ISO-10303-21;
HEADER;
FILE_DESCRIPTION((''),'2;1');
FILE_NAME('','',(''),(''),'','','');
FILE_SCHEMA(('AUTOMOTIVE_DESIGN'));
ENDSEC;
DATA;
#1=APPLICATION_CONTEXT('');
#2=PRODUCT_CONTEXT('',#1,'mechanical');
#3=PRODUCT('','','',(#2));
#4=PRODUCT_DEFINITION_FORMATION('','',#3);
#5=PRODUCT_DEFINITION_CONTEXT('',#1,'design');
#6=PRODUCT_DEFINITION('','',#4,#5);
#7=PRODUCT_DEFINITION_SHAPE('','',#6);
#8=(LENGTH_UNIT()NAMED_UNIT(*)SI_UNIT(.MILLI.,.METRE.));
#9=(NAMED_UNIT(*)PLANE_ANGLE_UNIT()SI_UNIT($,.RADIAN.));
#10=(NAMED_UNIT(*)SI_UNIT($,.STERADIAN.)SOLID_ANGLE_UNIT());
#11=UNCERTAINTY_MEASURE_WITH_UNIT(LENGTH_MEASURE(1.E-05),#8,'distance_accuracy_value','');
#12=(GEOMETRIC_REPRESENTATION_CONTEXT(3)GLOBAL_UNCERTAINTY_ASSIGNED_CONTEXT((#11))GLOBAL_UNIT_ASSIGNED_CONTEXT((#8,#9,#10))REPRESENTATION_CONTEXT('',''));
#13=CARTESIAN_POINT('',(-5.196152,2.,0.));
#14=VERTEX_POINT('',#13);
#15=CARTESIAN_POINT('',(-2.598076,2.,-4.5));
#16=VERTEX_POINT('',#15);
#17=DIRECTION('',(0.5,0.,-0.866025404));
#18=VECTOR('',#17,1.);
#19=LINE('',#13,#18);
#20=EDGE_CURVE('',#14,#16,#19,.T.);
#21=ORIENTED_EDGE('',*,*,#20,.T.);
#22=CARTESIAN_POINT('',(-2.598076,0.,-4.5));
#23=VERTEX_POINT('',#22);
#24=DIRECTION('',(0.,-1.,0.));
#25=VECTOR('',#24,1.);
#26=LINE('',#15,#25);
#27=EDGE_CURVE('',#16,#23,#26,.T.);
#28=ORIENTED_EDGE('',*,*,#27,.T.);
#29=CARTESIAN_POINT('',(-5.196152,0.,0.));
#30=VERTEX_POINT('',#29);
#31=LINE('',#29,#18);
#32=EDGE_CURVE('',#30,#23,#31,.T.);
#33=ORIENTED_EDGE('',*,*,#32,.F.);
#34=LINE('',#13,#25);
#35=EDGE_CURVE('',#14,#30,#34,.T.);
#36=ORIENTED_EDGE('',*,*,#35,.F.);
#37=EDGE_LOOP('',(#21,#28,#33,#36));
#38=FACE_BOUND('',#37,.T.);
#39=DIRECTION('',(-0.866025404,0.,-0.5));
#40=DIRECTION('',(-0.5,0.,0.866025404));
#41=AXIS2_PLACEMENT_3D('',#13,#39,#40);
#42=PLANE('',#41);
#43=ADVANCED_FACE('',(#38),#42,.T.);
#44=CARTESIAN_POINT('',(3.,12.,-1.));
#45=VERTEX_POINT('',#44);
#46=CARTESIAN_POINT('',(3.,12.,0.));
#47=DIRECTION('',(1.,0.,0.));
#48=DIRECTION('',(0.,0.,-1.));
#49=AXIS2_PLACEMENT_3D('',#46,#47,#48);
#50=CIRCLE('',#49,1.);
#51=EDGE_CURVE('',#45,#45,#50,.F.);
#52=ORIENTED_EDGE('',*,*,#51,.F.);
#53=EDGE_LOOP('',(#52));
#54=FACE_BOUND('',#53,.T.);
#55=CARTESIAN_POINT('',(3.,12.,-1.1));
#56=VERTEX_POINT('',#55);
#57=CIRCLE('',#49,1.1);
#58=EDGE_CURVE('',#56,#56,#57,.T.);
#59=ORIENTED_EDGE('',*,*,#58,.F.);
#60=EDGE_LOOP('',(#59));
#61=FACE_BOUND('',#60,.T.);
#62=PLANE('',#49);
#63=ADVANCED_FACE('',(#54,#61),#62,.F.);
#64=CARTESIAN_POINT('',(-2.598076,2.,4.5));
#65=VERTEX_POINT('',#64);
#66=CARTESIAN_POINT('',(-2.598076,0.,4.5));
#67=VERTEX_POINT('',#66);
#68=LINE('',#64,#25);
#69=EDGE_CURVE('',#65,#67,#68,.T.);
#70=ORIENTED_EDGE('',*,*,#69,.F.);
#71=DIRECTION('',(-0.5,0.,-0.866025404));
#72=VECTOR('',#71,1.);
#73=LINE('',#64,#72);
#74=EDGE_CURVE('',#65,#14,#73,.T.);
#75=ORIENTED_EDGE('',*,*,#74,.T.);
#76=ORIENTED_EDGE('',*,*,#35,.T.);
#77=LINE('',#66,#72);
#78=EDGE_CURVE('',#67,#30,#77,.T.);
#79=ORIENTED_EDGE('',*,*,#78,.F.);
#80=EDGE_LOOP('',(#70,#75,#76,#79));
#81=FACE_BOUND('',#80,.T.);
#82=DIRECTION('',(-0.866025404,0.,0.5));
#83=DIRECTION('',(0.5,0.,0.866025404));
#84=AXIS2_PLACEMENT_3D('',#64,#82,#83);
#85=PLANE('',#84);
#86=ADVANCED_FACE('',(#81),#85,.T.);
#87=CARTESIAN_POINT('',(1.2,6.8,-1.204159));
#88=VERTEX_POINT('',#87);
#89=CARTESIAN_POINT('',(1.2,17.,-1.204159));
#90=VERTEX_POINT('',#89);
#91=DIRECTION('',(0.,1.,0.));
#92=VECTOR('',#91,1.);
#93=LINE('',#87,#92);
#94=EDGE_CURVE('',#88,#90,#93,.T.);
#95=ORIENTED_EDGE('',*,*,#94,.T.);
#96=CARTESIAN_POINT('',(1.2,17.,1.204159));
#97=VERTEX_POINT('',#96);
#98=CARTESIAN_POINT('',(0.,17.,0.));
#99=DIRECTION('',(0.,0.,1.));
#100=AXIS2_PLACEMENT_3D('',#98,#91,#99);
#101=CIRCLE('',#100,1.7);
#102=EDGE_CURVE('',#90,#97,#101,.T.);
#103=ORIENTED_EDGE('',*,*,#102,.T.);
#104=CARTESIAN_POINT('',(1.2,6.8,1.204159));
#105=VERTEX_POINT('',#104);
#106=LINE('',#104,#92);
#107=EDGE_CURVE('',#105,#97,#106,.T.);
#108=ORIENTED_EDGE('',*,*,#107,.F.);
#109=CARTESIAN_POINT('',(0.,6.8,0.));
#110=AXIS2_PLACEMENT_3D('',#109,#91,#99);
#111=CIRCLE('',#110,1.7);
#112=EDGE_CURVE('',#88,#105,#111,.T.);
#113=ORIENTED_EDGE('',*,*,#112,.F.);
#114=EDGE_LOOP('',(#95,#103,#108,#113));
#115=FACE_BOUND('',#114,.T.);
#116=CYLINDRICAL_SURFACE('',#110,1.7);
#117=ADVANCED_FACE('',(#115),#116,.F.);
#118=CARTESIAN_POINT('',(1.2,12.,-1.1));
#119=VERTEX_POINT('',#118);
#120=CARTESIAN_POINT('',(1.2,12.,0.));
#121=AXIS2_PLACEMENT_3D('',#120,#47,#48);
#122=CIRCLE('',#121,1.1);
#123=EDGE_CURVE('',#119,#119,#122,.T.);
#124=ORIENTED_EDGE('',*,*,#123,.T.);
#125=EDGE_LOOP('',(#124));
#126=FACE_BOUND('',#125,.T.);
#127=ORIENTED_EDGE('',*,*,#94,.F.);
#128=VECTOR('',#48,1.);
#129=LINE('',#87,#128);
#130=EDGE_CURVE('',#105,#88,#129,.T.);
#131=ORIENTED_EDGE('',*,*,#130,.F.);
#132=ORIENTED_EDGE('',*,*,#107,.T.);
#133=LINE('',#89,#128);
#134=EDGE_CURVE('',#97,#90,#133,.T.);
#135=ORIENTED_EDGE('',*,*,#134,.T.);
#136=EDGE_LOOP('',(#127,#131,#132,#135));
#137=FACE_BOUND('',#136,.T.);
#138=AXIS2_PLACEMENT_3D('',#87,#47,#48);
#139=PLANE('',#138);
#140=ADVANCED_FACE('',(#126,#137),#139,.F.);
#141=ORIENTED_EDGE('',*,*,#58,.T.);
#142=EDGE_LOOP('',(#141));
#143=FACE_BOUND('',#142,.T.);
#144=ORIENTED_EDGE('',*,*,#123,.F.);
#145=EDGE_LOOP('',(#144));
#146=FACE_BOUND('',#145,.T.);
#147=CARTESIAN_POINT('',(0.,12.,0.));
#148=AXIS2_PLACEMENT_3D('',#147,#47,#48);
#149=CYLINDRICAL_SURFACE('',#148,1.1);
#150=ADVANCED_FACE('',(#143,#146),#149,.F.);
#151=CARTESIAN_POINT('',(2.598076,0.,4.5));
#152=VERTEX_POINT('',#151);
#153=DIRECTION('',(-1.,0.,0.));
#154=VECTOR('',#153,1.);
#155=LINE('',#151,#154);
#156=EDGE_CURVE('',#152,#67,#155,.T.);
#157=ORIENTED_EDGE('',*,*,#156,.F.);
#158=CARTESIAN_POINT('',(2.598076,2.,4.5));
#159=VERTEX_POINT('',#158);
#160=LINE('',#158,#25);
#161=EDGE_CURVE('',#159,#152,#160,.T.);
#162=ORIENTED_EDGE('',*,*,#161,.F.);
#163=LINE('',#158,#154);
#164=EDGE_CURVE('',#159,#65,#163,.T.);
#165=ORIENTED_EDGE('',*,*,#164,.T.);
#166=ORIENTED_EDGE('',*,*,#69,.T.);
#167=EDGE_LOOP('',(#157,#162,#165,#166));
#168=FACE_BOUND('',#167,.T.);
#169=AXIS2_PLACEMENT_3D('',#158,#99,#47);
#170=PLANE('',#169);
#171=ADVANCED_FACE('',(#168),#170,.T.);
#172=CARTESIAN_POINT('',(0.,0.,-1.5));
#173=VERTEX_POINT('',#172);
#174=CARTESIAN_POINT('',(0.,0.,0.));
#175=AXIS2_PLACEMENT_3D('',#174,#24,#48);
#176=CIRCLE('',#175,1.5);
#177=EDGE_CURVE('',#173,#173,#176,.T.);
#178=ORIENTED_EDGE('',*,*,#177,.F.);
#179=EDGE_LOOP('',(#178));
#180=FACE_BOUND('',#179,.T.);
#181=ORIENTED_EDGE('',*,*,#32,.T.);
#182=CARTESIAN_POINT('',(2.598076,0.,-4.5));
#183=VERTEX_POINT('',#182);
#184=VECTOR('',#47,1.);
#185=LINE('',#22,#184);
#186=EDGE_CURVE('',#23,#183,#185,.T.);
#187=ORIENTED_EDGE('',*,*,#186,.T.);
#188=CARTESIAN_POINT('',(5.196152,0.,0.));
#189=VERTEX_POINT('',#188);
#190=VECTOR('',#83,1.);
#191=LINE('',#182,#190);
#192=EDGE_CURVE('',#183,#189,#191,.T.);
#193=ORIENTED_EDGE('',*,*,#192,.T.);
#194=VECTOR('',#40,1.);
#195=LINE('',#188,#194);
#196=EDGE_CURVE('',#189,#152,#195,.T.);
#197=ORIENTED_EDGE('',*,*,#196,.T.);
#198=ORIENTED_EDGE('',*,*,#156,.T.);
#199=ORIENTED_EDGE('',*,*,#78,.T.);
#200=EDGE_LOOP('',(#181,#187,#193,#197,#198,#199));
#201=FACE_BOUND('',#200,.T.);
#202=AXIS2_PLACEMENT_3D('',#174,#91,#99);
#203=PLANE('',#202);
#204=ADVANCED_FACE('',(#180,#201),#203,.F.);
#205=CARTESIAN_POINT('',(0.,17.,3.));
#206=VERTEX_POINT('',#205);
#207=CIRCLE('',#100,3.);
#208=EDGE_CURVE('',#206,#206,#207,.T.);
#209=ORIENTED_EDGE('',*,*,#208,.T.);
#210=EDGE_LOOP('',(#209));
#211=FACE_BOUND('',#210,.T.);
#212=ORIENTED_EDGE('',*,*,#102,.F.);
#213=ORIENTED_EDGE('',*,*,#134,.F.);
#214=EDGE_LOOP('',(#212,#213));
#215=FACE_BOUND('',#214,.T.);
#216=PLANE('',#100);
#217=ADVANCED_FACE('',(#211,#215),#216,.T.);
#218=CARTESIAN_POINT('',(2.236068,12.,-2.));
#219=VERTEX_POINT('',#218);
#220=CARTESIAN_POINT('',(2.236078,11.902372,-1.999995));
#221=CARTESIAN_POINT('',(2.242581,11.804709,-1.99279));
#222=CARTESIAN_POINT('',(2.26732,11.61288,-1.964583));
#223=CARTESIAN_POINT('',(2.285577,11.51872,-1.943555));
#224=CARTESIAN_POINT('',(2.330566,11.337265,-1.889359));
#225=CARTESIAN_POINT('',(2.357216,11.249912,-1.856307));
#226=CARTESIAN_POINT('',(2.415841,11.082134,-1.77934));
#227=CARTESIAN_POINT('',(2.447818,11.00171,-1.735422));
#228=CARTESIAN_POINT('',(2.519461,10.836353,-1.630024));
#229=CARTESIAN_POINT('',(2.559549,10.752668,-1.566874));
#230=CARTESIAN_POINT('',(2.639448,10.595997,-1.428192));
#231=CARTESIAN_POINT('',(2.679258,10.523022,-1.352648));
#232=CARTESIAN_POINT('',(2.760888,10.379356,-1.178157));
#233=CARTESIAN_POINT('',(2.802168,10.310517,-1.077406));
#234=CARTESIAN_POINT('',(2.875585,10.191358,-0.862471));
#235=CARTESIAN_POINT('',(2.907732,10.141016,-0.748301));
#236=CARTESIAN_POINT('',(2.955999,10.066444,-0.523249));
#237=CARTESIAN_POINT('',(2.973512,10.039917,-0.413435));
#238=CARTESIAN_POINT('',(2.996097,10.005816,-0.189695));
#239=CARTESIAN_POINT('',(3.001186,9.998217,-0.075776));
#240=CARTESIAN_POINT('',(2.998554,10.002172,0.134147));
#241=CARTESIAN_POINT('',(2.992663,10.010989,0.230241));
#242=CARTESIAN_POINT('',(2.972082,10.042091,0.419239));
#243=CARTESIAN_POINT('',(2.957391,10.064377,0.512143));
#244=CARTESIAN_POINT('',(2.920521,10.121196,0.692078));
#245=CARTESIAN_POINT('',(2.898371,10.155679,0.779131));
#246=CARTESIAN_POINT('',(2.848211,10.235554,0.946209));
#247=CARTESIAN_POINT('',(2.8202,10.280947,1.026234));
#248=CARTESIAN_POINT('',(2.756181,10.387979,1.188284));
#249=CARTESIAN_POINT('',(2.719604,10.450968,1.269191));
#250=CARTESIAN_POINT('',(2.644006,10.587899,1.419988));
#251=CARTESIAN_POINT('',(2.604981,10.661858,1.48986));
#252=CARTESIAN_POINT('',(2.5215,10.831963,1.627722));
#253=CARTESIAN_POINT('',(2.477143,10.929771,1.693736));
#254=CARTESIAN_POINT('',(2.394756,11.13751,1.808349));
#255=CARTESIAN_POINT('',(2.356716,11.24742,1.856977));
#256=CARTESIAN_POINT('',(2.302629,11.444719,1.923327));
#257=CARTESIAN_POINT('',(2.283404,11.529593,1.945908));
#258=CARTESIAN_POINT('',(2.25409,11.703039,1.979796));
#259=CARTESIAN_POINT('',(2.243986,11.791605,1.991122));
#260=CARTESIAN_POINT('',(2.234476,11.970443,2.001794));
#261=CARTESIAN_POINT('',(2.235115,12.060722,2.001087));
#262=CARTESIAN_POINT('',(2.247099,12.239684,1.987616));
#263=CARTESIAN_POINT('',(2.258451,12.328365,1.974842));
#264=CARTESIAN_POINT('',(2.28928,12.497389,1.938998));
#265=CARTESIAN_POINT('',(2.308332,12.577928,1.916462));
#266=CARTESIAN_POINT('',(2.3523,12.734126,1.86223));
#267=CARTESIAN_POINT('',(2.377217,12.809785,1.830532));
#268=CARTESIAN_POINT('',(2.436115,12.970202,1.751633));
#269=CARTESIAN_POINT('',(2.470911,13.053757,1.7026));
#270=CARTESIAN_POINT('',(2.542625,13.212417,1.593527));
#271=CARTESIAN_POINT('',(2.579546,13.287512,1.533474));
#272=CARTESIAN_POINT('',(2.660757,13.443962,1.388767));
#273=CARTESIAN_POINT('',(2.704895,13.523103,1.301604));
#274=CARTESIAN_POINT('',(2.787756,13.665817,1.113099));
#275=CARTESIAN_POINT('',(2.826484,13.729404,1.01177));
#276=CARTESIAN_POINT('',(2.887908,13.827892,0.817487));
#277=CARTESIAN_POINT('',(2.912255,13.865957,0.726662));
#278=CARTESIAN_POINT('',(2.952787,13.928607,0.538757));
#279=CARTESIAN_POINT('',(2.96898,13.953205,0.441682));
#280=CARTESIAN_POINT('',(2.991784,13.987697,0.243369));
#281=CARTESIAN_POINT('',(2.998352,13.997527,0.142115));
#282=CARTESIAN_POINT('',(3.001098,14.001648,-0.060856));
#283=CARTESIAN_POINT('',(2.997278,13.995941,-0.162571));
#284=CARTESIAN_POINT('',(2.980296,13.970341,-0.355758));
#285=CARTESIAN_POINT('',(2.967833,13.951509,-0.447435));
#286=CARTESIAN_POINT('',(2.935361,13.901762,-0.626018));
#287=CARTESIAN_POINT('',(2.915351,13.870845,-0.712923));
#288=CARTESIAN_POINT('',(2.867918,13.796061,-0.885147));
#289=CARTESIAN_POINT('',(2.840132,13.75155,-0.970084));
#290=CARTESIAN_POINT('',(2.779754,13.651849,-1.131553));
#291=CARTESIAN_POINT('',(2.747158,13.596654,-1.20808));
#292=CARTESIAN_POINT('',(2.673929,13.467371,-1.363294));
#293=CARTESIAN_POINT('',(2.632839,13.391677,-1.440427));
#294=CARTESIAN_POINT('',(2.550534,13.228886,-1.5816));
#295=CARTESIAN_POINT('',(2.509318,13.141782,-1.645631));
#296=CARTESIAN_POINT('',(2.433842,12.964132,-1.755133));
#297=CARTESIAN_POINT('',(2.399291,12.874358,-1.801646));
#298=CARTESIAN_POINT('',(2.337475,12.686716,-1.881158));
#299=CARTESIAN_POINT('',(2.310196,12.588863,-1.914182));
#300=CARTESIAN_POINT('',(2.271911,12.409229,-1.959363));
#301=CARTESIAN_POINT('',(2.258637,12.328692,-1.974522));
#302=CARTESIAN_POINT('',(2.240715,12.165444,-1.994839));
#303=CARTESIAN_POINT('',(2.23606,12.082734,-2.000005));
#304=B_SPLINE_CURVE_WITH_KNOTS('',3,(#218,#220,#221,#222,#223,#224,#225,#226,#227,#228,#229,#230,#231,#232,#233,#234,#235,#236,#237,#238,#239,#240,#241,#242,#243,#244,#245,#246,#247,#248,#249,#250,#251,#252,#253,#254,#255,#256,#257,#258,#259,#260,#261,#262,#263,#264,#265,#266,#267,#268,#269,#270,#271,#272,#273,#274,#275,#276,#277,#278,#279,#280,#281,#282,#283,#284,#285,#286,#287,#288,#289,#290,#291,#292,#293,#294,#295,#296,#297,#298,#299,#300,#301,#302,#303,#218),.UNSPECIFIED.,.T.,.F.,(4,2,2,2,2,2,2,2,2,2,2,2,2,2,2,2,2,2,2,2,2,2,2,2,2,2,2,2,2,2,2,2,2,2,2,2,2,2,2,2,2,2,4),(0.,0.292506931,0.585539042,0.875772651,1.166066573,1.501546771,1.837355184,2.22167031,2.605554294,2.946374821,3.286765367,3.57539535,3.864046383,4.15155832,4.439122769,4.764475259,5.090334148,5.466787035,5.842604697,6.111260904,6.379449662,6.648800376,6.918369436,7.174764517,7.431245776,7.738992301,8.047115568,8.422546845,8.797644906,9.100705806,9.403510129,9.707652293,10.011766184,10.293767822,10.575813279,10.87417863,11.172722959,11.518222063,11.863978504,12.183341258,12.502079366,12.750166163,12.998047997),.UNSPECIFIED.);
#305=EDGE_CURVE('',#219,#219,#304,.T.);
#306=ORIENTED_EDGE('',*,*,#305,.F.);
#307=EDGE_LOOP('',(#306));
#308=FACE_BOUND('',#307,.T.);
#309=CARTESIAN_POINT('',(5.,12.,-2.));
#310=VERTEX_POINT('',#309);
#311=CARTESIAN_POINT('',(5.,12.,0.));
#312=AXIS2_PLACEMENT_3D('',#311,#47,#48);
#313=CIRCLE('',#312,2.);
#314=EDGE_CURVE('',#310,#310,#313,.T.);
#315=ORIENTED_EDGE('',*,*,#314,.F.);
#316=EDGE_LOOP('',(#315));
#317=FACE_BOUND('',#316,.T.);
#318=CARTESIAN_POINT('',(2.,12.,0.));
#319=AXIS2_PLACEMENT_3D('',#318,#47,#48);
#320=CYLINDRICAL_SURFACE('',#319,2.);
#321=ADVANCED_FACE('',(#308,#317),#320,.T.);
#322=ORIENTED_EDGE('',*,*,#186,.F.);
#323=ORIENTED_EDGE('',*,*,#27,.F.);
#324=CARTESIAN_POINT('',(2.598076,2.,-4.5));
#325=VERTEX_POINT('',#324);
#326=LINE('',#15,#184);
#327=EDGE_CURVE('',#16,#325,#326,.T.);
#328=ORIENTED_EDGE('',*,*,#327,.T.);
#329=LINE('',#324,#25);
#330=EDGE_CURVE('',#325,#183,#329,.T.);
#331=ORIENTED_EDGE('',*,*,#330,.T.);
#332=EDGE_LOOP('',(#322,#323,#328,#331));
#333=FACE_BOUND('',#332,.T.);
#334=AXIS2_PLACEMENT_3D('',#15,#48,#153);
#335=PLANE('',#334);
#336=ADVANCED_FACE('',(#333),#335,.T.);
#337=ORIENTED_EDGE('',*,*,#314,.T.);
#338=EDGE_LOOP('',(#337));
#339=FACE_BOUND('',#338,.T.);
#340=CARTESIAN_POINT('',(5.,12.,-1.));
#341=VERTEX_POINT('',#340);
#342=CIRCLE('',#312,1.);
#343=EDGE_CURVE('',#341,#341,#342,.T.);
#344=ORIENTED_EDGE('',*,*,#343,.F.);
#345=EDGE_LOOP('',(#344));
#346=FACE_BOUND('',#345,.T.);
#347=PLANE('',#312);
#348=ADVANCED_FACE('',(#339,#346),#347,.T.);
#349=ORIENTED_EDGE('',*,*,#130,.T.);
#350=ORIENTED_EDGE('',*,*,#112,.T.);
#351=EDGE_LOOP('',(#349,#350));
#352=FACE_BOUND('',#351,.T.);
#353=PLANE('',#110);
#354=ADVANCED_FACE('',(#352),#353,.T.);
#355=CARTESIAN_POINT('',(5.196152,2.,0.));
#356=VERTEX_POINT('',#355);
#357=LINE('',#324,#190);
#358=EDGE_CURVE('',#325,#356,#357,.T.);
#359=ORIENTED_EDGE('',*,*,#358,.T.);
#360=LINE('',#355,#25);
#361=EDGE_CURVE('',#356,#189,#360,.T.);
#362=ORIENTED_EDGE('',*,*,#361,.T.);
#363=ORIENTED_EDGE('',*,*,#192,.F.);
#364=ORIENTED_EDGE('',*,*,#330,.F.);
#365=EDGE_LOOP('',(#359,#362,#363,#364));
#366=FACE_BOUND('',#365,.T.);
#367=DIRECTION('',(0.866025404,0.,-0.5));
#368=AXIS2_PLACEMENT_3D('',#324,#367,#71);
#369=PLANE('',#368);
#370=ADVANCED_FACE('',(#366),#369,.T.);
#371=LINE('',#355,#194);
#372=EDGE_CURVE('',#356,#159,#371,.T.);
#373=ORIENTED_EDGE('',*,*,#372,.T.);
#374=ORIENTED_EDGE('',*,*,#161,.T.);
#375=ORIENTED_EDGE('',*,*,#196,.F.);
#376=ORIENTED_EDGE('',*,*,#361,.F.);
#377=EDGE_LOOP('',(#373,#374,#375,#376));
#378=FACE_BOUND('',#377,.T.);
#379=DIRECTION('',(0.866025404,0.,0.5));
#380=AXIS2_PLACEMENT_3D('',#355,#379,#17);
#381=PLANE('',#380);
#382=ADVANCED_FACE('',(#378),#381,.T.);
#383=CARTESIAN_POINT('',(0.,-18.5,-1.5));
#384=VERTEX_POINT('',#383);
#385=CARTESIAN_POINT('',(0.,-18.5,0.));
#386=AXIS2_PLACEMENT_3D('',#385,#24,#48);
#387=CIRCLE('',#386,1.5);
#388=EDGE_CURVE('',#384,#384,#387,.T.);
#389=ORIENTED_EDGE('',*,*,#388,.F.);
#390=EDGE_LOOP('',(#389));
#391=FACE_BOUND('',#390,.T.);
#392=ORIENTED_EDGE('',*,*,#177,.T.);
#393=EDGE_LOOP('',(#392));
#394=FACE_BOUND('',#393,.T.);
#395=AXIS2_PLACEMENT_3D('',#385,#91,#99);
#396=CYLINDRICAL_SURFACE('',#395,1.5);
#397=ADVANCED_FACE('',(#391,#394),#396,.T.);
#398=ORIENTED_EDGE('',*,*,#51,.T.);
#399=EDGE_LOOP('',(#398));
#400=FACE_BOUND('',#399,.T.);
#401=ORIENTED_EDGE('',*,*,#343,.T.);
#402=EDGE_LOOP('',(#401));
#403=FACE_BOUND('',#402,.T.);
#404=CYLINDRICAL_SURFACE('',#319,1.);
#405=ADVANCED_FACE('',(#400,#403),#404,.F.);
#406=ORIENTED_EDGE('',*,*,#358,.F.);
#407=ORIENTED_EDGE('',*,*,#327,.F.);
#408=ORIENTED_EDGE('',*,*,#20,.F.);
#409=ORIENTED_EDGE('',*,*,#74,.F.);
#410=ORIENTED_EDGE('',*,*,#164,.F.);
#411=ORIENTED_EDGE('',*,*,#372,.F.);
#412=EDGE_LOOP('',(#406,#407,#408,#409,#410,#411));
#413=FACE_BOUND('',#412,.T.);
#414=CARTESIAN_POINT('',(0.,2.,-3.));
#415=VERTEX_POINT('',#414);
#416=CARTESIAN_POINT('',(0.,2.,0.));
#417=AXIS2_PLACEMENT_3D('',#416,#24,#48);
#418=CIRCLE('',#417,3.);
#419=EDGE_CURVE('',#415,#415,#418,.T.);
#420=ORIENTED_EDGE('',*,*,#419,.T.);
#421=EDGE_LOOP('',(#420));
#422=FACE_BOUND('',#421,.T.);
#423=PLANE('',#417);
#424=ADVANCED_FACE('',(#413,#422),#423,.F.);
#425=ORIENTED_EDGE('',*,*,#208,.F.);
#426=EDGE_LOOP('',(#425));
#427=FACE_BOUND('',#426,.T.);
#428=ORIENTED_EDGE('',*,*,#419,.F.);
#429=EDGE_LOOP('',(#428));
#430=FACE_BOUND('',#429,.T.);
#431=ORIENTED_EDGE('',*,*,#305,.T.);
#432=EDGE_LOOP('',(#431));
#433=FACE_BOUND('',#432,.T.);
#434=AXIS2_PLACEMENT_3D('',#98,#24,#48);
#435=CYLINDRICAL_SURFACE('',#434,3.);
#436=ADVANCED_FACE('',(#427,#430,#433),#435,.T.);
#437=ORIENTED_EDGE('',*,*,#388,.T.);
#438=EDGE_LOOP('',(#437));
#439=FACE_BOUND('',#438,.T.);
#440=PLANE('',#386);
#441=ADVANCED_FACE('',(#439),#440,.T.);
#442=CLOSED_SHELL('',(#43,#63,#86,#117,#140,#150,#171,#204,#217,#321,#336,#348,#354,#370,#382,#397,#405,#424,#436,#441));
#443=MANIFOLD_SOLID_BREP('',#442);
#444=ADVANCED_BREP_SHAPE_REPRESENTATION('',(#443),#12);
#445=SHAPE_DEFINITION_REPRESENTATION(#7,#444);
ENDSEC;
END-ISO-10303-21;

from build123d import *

# Parameters (mm, degrees)
SKETCH1_R                = 3
BOSS_EXTRUDE1_DEPTH      = 17
CUT_EXTRUDE3_DEPTH       = 10.2
BOSS_EXTRUDE2_DEPTH      = 2
SKETCH4_R                = 1.5
BOSS_EXTRUDE3_DEPTH      = 18.5
BOSS_EXTRUDE4_DEPTH      = 2
BOSS_EXTRUDE4_DEPTH_BACK = 1
SKETCH6_R                = 2
SKETCH6_R_2              = 1
SKETCH7_R                = 1.1
CUT_EXTRUDE4_DEPTH       = 3


with BuildPart() as part:
    # Sketch1 → Boss-Extrude1 (new body)
    with BuildSketch(Plane(origin=(0, 0, 0), x_dir=(1, 0, 0), z_dir=(0, 1, 0))):
        with Locations(Location((0, 0, 0), (0, 0, 270))):
            Circle(SKETCH1_R)
    extrude(amount=BOSS_EXTRUDE1_DEPTH)

    # Sketch2 → Cut-Extrude3 (cut)
    with BuildSketch(Plane(origin=(0, 17, 0), x_dir=(1, 0, 0), z_dir=(0, 1, 0))):
        with BuildLine():
            Line((1.2, 1.204159458), (1.2, -1.204159458))
            ThreePointArc((1.2, -1.204159458), (-1.7, 0), (1.2, 1.204159458))
        make_face()
    extrude(amount=-CUT_EXTRUDE3_DEPTH, mode=Mode.SUBTRACT)

    # Sketch3 → Boss-Extrude2 (add)
    with BuildSketch(Plane(origin=(0, 0, 0), x_dir=(-1, 0, 0), z_dir=(0, -1, 0))):
        Polygon((5.196152423, 0), (2.598076211, 4.5), (-2.598076211, 4.5), (-5.196152423, 0), (-2.598076211, -4.5), (2.598076211, -4.5), align=None)
    extrude(amount=-BOSS_EXTRUDE2_DEPTH)

    # Sketch4 → Boss-Extrude3 (add)
    with BuildSketch(Plane(origin=(0, 0, 0), x_dir=(-1, 0, 0), z_dir=(0, -1, 0))):
        with Locations(Location((0, 0, 0), (0, 0, 90))):
            Circle(SKETCH4_R)
    extrude(amount=BOSS_EXTRUDE3_DEPTH)

    # Sketch6 → Boss-Extrude4 (add, two sides: drawn at the far end of the back side and taken through both)
    with BuildSketch(Plane(origin=(3, 0, 0), x_dir=(0, 0, -1), z_dir=(1, 0, 0)).offset(-BOSS_EXTRUDE4_DEPTH_BACK)):
        with Locations((0, 12)):
            Circle(SKETCH6_R)
        with Locations((0, 12)):
            Circle(SKETCH6_R_2, mode=Mode.SUBTRACT)
    extrude(amount=BOSS_EXTRUDE4_DEPTH + BOSS_EXTRUDE4_DEPTH_BACK)

    # Sketch7 → Cut-Extrude4 (cut)
    with BuildSketch(Plane(origin=(3, 0, 0), x_dir=(0, 0, -1), z_dir=(1, 0, 0))):
        with Locations((0, 12)):
            Circle(SKETCH7_R)
    extrude(amount=-CUT_EXTRUDE4_DEPTH, mode=Mode.SUBTRACT)


solid = part.part
